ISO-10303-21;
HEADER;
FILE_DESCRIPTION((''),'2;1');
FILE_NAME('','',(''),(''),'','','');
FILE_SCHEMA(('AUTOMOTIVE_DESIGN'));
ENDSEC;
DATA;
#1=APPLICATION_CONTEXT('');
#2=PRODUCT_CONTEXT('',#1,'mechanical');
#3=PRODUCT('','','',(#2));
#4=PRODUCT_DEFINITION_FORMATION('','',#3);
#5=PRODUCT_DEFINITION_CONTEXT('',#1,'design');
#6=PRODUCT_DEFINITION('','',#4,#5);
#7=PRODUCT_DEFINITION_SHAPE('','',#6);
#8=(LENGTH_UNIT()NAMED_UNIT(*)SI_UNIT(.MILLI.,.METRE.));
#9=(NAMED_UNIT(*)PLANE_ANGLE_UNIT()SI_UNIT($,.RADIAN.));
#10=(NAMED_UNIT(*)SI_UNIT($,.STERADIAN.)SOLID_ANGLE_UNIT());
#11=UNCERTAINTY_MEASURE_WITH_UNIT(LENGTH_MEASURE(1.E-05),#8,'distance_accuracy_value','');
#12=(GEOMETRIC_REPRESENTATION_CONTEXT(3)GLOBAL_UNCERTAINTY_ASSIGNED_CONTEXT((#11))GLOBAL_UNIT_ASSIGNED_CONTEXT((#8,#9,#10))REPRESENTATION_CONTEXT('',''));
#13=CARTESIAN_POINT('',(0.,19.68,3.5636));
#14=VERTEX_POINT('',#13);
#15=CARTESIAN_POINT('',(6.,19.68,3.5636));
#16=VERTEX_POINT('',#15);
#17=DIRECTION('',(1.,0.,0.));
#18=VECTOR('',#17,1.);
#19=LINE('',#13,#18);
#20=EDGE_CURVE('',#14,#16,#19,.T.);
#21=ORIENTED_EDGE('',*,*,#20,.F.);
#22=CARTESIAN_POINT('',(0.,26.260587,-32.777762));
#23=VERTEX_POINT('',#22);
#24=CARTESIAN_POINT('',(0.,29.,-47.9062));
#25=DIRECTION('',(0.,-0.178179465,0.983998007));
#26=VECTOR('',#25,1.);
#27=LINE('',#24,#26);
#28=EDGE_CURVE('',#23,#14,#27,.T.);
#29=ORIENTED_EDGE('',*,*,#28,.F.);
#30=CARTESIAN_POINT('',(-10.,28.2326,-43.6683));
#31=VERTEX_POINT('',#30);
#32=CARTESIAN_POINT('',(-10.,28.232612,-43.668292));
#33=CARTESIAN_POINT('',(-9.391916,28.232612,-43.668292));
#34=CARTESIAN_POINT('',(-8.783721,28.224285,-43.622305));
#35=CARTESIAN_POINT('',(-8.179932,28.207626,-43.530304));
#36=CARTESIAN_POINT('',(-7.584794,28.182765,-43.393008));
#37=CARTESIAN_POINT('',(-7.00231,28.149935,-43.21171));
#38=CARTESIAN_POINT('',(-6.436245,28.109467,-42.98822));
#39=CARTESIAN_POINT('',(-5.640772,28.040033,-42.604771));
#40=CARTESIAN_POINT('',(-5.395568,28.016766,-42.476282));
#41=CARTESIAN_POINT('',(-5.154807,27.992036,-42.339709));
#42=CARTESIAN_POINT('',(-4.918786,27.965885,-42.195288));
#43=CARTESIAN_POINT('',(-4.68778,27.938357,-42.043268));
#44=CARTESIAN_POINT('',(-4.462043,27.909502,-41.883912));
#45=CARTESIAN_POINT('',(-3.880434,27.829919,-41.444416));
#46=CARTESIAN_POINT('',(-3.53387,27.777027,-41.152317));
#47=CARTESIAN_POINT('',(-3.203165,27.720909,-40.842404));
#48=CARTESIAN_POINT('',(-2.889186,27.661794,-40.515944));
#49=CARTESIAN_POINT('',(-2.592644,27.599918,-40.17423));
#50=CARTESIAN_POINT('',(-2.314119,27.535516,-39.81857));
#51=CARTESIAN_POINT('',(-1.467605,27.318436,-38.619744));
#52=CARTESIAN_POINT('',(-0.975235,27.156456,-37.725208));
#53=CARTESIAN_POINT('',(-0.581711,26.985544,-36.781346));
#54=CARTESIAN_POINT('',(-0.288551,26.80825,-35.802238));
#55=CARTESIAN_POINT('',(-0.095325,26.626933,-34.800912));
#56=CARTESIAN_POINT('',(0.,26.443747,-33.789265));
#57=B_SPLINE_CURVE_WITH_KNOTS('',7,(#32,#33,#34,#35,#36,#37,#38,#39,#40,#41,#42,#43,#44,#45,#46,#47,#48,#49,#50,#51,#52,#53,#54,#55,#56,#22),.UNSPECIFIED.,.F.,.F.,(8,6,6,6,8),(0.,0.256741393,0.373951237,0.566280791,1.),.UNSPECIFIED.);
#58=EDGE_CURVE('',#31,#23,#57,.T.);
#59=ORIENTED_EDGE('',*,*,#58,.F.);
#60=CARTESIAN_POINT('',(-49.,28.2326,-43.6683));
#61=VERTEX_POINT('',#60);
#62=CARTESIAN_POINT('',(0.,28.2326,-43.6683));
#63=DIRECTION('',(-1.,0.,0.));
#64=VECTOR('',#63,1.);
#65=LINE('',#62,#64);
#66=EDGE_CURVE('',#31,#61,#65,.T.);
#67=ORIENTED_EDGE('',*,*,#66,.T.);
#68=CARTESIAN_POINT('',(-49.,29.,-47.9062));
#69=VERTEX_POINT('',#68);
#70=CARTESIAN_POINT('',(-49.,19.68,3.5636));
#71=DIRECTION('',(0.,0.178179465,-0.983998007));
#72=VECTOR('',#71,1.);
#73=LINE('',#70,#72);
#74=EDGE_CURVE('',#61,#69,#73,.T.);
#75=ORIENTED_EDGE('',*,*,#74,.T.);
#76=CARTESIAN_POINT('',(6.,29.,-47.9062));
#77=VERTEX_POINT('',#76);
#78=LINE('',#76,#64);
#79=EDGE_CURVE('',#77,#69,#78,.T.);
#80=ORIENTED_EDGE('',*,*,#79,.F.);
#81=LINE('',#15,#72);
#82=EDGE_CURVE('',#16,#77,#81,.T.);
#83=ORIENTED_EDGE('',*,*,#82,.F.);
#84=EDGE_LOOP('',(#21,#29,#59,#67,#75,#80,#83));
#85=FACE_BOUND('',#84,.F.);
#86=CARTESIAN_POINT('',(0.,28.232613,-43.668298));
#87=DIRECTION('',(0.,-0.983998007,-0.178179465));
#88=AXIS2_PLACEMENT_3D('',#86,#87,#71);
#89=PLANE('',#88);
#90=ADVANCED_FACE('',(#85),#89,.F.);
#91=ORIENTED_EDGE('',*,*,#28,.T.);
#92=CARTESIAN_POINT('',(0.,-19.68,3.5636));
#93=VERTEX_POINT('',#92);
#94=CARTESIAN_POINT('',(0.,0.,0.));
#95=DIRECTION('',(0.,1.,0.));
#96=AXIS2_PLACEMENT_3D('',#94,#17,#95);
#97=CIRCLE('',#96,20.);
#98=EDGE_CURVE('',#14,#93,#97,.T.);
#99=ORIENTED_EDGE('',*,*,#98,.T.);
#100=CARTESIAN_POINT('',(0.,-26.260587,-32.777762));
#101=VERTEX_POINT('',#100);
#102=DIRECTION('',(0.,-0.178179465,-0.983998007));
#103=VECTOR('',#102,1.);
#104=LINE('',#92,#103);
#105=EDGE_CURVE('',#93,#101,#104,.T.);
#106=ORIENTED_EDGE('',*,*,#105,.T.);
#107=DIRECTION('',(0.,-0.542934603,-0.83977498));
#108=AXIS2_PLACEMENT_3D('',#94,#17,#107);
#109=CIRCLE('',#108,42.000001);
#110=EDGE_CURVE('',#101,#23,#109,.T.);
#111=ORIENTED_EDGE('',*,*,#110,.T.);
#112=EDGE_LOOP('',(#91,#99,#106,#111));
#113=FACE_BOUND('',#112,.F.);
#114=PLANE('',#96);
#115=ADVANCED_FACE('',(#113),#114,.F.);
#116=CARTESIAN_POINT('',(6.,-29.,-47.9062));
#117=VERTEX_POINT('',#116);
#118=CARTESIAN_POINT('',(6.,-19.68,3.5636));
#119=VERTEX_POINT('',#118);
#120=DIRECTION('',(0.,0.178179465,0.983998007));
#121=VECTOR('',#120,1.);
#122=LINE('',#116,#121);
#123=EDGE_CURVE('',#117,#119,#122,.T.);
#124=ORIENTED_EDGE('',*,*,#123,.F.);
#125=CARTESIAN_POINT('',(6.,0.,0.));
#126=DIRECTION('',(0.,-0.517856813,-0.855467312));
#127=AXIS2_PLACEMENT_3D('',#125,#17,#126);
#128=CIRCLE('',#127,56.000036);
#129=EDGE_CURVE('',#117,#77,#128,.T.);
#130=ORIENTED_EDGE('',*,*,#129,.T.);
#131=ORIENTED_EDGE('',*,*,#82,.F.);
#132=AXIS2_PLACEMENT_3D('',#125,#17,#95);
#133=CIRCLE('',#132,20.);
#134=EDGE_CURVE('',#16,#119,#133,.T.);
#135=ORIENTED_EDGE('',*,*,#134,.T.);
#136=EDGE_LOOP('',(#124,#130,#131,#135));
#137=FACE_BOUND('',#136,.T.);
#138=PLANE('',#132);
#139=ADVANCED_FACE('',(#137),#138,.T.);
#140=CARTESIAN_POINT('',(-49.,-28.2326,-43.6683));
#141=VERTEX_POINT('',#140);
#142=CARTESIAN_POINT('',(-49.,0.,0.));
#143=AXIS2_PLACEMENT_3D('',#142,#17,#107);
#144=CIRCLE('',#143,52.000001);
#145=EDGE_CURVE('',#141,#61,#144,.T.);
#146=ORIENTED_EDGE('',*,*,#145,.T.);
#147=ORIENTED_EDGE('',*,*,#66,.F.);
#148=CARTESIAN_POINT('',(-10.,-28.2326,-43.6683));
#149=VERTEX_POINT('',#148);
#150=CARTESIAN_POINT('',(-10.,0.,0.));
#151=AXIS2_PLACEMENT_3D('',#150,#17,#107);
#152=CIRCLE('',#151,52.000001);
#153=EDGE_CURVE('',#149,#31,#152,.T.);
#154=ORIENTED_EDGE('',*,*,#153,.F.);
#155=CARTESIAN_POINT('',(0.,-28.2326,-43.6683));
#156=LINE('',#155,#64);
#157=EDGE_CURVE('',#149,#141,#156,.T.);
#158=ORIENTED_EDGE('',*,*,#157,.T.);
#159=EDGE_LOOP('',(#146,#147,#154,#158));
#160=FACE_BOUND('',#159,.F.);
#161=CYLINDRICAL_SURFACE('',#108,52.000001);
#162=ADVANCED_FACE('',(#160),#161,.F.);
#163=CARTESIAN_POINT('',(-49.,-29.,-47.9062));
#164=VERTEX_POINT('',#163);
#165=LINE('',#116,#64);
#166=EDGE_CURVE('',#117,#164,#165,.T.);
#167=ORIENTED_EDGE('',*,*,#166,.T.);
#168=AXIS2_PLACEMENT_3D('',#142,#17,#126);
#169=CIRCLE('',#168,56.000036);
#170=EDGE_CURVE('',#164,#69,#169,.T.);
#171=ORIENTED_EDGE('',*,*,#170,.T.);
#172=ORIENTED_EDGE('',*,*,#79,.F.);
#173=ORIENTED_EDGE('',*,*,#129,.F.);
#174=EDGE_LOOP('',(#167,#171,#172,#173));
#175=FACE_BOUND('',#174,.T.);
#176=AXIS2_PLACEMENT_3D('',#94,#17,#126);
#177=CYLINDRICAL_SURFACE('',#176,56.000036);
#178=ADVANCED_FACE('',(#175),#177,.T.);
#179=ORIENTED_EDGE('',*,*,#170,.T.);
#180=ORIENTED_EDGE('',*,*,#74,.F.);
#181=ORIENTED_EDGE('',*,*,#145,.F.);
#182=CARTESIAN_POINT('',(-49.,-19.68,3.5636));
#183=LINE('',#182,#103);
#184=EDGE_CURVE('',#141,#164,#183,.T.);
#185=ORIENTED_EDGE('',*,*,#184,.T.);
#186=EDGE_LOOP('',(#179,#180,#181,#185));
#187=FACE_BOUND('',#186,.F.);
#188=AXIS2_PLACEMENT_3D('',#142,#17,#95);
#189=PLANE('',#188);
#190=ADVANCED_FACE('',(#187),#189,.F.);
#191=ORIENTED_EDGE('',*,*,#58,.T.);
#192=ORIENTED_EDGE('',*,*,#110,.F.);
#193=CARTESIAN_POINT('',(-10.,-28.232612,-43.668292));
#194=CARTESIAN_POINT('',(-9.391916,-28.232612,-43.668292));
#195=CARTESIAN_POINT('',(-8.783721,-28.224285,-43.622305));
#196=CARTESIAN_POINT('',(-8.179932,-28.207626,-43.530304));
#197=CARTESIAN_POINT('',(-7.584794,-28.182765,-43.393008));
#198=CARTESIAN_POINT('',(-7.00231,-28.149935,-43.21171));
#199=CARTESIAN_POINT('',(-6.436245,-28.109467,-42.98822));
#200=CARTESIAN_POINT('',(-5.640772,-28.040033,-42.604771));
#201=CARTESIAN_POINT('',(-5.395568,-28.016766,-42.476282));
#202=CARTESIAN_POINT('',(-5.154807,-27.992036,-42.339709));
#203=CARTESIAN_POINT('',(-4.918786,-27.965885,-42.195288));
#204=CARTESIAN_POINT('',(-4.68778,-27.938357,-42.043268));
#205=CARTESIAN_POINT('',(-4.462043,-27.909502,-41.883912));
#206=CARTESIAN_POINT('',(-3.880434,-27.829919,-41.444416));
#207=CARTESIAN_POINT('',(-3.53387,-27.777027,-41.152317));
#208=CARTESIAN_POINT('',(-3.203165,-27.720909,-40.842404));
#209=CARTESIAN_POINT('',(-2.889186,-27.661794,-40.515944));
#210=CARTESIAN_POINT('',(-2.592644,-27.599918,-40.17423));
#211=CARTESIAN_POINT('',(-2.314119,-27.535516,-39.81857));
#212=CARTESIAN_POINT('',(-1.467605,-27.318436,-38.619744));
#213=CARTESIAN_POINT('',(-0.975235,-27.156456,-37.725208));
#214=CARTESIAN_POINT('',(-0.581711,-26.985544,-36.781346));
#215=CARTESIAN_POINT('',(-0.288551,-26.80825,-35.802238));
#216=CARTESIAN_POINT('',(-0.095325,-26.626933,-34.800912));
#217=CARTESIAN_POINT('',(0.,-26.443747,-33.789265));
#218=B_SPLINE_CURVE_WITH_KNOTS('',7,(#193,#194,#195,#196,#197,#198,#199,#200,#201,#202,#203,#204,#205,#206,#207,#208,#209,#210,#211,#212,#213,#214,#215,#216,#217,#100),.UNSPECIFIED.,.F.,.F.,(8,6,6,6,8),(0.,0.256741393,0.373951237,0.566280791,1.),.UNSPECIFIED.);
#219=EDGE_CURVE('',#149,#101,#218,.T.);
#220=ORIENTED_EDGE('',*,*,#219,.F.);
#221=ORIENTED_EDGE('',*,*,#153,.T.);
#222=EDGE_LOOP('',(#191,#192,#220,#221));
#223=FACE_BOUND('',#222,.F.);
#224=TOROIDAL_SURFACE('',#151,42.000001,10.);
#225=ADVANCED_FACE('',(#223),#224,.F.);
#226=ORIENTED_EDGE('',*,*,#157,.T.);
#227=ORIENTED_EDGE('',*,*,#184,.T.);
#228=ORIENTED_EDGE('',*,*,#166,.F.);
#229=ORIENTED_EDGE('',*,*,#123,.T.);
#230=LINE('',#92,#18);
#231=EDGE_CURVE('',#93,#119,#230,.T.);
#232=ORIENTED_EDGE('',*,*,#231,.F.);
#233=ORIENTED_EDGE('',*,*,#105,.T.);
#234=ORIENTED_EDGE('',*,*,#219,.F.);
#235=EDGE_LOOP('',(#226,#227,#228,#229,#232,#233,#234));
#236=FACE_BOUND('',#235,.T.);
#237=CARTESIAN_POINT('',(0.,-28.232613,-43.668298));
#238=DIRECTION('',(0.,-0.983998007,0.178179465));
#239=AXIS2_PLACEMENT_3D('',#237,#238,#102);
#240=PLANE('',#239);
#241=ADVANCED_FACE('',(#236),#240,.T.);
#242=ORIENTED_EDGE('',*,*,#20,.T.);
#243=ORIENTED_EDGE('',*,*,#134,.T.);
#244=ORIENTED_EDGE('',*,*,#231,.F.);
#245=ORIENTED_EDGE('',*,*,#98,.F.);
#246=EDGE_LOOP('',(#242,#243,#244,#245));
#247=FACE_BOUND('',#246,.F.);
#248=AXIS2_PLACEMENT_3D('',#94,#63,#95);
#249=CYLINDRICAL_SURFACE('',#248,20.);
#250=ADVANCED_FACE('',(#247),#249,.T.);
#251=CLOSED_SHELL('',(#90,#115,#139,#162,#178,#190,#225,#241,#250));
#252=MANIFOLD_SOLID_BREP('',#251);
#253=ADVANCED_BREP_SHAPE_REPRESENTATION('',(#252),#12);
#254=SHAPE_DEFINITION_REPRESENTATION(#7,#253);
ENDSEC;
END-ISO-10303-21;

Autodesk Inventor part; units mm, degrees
ref_plane "YZ Plane" through (0, 0, 0) normal (1, 0, 0) x (0, 1, 0)
ref_plane "XZ Plane" through (0, 0, 0) normal (0, 1, 0) x (-1, 0, 0)
ref_plane "XY Plane" through (0, 0, 0) normal (0, 0, 1) x (1, 0, 0)
sketch "Sketch1" plane through (0, 0, 0) normal (1, 0, 0) x (0, 1, 0)
  circle A0 centre (0, 0) radius 20
  line L0 (-19.68, 3.5636) -> (-29, -47.9062)
  line L1 (19.68, 3.5636) -> (29, -47.9062)
  line L2 (11.5, 0) -> (-11.5, 0) construction
  line L3 (0, -48.5721) -> (0, 48.5721) construction
  arc A1 (-28.2326, -43.6683) -> (28.2326, -43.6683) centre (0, 0) ccw
  arc A2 (-29, -47.9062) -> (29, -47.9062) centre (0, 0) ccw
  point P0 (0, -56)
  point P1 (0, 0)
  dimension "d0" = 40
  dimension "d8" = 104
  dimension "d9" = 112
  dimension "d10" = 58
extrude "Extrusion1" add sketch "Sketch1" along normal blind 6
extrude "Extrusion2" add sketch "Sketch1" against normal blind 49 contours L1 A2 L0 A1
fillet "Fillet1" radius 10 1 edges at (0, 0, -52)
properties part number "thigh_connector"
